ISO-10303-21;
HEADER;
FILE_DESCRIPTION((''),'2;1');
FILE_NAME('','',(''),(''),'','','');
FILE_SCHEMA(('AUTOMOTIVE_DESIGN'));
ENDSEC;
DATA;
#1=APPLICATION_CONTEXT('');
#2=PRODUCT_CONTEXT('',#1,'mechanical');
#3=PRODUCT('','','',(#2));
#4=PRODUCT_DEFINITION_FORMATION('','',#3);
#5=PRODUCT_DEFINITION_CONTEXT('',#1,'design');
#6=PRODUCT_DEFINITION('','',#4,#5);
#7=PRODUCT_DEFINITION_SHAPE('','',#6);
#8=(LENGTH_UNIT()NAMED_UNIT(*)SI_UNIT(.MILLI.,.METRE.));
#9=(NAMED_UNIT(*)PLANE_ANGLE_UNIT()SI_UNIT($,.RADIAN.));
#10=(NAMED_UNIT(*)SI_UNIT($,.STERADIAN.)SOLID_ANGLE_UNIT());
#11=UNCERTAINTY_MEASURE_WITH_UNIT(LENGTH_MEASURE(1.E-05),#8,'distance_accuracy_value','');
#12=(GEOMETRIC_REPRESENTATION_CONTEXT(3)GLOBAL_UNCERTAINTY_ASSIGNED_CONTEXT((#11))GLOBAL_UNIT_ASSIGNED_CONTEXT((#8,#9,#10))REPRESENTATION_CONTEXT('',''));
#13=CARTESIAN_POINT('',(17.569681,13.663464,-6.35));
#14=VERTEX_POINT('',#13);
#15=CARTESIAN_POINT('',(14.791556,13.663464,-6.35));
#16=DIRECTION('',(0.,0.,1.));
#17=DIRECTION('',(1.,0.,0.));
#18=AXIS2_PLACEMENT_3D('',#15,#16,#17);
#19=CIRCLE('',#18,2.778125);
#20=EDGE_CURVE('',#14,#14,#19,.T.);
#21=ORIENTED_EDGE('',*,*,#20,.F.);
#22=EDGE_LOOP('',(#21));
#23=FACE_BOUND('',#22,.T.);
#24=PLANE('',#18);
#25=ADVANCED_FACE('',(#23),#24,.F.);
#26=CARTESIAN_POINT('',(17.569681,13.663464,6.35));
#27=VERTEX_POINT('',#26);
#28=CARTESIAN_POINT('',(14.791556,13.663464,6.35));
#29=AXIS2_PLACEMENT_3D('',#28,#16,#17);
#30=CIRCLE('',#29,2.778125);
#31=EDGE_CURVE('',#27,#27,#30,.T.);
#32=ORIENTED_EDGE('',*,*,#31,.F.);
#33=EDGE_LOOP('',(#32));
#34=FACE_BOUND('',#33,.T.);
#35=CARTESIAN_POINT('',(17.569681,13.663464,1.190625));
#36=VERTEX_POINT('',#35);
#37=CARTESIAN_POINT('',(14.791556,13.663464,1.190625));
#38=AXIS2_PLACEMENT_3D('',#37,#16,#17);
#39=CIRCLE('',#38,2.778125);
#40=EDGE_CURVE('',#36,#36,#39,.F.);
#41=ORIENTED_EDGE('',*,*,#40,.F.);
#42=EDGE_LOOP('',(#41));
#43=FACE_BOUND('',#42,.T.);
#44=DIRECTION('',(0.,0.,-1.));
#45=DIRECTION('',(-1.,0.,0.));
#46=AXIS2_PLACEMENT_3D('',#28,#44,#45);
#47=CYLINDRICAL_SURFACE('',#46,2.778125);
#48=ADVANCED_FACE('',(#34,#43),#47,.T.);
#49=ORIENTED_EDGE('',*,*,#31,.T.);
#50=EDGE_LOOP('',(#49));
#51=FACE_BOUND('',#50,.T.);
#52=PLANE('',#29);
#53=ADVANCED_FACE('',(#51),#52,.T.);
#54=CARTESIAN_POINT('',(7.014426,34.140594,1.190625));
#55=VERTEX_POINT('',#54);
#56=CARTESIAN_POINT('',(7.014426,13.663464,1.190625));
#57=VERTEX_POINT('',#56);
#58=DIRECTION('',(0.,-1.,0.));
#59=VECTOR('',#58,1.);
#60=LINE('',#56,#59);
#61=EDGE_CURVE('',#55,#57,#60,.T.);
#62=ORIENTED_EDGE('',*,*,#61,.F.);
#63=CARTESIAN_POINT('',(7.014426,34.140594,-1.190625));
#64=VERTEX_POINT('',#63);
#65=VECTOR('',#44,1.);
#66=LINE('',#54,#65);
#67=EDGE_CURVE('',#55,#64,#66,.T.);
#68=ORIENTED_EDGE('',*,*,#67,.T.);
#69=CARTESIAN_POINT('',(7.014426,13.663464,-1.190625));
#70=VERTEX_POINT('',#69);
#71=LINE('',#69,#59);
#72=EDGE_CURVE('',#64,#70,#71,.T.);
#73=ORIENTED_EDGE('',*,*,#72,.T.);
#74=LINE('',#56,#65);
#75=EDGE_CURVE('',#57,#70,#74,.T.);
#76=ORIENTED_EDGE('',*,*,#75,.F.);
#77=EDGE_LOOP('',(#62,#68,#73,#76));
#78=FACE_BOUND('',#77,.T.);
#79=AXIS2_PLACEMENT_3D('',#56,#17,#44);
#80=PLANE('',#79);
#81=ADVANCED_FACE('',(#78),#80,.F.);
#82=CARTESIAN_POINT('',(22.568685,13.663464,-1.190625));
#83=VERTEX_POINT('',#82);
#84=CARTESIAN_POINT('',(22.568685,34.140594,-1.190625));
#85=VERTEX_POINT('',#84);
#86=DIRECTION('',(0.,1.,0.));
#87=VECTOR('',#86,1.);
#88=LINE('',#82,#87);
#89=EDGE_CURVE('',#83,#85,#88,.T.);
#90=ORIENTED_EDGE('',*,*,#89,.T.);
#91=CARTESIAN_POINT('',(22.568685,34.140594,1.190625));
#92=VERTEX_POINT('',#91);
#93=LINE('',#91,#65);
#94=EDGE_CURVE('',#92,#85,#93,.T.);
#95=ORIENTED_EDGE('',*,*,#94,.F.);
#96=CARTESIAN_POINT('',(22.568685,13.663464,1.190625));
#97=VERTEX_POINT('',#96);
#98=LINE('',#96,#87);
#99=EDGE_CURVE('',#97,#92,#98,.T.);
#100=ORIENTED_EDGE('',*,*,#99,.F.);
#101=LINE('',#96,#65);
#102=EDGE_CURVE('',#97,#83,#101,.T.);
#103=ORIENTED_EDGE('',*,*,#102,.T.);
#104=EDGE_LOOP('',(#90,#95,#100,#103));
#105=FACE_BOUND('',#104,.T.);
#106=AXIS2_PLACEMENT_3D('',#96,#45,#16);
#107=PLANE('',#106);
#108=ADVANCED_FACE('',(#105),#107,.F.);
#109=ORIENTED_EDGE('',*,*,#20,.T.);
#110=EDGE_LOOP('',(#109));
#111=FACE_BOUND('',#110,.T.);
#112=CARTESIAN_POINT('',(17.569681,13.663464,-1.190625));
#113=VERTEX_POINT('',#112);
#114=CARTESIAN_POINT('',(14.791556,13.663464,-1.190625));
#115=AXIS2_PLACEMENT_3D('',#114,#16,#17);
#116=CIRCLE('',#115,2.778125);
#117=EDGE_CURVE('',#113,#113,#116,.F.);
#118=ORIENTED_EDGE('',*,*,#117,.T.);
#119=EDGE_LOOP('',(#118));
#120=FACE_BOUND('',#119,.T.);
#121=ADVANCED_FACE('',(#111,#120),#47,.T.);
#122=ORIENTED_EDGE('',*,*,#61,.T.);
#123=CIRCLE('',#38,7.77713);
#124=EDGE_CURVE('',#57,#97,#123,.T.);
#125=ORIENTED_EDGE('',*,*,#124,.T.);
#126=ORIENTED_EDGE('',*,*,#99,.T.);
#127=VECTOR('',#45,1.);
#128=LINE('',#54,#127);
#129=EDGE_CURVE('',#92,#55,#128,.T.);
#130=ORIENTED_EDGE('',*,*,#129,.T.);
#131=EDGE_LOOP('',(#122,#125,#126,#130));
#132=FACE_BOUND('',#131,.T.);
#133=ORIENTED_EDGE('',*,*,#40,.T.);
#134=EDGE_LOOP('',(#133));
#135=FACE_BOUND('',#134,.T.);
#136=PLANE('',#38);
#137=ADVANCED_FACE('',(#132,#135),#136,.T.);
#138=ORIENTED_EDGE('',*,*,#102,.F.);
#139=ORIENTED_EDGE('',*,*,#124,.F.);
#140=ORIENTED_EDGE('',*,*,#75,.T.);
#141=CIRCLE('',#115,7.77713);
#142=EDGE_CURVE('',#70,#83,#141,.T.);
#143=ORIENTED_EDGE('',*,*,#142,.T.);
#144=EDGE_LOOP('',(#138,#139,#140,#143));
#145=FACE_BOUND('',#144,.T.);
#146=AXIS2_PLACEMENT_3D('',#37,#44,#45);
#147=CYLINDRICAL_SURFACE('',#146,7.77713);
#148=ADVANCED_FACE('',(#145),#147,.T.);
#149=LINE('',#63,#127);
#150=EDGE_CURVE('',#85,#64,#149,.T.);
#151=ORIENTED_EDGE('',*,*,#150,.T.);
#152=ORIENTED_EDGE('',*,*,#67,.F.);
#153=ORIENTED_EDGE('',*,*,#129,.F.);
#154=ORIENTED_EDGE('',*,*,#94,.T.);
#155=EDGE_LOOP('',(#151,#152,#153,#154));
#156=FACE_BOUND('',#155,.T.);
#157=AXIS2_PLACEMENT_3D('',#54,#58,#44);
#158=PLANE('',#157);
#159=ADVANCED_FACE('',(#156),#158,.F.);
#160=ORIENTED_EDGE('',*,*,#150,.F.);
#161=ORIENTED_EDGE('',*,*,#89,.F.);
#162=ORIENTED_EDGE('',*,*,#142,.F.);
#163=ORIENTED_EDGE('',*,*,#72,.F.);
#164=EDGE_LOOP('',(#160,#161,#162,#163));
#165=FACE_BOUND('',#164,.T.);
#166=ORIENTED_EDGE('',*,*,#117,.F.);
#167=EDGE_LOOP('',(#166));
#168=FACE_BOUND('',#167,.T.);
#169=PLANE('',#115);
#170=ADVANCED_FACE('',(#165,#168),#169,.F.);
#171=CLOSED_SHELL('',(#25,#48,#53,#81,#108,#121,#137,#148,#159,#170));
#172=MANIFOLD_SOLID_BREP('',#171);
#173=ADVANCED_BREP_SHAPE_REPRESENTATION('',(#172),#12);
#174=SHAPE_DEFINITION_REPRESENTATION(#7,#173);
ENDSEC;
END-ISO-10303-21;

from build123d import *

# Parameters (mm, degrees)
BOSS_EXTRUDE1_DEPTH = 1.190625
SKETCH2_R           = 2.778125
BOSS_EXTRUDE2_DEPTH = 6.35


with BuildPart() as part:
    # Sketch1 → Boss-Extrude1 (new, symmetric)
    with BuildSketch(Plane.XY):
        with BuildLine():
            Line((22.568685476, 13.663463824), (22.568685476, 34.140593758))
            Line((22.568685476, 34.140593758), (7.014425609, 34.140593758))
            Line((7.014425609, 34.140593758), (7.014425609, 13.663463824))
            ThreePointArc((7.014425609, 13.663463824), (14.791555542, 5.886333891), (22.568685476, 13.663463824))
        make_face()
    extrude(amount=BOSS_EXTRUDE1_DEPTH, both=True)

    # Sketch2 → Boss-Extrude2 (add, symmetric)
    with BuildSketch(Plane.XY):
        with Locations((14.791555542, 13.663463824)):
            Circle(SKETCH2_R)
    extrude(amount=BOSS_EXTRUDE2_DEPTH, both=True)


solid = part.part
